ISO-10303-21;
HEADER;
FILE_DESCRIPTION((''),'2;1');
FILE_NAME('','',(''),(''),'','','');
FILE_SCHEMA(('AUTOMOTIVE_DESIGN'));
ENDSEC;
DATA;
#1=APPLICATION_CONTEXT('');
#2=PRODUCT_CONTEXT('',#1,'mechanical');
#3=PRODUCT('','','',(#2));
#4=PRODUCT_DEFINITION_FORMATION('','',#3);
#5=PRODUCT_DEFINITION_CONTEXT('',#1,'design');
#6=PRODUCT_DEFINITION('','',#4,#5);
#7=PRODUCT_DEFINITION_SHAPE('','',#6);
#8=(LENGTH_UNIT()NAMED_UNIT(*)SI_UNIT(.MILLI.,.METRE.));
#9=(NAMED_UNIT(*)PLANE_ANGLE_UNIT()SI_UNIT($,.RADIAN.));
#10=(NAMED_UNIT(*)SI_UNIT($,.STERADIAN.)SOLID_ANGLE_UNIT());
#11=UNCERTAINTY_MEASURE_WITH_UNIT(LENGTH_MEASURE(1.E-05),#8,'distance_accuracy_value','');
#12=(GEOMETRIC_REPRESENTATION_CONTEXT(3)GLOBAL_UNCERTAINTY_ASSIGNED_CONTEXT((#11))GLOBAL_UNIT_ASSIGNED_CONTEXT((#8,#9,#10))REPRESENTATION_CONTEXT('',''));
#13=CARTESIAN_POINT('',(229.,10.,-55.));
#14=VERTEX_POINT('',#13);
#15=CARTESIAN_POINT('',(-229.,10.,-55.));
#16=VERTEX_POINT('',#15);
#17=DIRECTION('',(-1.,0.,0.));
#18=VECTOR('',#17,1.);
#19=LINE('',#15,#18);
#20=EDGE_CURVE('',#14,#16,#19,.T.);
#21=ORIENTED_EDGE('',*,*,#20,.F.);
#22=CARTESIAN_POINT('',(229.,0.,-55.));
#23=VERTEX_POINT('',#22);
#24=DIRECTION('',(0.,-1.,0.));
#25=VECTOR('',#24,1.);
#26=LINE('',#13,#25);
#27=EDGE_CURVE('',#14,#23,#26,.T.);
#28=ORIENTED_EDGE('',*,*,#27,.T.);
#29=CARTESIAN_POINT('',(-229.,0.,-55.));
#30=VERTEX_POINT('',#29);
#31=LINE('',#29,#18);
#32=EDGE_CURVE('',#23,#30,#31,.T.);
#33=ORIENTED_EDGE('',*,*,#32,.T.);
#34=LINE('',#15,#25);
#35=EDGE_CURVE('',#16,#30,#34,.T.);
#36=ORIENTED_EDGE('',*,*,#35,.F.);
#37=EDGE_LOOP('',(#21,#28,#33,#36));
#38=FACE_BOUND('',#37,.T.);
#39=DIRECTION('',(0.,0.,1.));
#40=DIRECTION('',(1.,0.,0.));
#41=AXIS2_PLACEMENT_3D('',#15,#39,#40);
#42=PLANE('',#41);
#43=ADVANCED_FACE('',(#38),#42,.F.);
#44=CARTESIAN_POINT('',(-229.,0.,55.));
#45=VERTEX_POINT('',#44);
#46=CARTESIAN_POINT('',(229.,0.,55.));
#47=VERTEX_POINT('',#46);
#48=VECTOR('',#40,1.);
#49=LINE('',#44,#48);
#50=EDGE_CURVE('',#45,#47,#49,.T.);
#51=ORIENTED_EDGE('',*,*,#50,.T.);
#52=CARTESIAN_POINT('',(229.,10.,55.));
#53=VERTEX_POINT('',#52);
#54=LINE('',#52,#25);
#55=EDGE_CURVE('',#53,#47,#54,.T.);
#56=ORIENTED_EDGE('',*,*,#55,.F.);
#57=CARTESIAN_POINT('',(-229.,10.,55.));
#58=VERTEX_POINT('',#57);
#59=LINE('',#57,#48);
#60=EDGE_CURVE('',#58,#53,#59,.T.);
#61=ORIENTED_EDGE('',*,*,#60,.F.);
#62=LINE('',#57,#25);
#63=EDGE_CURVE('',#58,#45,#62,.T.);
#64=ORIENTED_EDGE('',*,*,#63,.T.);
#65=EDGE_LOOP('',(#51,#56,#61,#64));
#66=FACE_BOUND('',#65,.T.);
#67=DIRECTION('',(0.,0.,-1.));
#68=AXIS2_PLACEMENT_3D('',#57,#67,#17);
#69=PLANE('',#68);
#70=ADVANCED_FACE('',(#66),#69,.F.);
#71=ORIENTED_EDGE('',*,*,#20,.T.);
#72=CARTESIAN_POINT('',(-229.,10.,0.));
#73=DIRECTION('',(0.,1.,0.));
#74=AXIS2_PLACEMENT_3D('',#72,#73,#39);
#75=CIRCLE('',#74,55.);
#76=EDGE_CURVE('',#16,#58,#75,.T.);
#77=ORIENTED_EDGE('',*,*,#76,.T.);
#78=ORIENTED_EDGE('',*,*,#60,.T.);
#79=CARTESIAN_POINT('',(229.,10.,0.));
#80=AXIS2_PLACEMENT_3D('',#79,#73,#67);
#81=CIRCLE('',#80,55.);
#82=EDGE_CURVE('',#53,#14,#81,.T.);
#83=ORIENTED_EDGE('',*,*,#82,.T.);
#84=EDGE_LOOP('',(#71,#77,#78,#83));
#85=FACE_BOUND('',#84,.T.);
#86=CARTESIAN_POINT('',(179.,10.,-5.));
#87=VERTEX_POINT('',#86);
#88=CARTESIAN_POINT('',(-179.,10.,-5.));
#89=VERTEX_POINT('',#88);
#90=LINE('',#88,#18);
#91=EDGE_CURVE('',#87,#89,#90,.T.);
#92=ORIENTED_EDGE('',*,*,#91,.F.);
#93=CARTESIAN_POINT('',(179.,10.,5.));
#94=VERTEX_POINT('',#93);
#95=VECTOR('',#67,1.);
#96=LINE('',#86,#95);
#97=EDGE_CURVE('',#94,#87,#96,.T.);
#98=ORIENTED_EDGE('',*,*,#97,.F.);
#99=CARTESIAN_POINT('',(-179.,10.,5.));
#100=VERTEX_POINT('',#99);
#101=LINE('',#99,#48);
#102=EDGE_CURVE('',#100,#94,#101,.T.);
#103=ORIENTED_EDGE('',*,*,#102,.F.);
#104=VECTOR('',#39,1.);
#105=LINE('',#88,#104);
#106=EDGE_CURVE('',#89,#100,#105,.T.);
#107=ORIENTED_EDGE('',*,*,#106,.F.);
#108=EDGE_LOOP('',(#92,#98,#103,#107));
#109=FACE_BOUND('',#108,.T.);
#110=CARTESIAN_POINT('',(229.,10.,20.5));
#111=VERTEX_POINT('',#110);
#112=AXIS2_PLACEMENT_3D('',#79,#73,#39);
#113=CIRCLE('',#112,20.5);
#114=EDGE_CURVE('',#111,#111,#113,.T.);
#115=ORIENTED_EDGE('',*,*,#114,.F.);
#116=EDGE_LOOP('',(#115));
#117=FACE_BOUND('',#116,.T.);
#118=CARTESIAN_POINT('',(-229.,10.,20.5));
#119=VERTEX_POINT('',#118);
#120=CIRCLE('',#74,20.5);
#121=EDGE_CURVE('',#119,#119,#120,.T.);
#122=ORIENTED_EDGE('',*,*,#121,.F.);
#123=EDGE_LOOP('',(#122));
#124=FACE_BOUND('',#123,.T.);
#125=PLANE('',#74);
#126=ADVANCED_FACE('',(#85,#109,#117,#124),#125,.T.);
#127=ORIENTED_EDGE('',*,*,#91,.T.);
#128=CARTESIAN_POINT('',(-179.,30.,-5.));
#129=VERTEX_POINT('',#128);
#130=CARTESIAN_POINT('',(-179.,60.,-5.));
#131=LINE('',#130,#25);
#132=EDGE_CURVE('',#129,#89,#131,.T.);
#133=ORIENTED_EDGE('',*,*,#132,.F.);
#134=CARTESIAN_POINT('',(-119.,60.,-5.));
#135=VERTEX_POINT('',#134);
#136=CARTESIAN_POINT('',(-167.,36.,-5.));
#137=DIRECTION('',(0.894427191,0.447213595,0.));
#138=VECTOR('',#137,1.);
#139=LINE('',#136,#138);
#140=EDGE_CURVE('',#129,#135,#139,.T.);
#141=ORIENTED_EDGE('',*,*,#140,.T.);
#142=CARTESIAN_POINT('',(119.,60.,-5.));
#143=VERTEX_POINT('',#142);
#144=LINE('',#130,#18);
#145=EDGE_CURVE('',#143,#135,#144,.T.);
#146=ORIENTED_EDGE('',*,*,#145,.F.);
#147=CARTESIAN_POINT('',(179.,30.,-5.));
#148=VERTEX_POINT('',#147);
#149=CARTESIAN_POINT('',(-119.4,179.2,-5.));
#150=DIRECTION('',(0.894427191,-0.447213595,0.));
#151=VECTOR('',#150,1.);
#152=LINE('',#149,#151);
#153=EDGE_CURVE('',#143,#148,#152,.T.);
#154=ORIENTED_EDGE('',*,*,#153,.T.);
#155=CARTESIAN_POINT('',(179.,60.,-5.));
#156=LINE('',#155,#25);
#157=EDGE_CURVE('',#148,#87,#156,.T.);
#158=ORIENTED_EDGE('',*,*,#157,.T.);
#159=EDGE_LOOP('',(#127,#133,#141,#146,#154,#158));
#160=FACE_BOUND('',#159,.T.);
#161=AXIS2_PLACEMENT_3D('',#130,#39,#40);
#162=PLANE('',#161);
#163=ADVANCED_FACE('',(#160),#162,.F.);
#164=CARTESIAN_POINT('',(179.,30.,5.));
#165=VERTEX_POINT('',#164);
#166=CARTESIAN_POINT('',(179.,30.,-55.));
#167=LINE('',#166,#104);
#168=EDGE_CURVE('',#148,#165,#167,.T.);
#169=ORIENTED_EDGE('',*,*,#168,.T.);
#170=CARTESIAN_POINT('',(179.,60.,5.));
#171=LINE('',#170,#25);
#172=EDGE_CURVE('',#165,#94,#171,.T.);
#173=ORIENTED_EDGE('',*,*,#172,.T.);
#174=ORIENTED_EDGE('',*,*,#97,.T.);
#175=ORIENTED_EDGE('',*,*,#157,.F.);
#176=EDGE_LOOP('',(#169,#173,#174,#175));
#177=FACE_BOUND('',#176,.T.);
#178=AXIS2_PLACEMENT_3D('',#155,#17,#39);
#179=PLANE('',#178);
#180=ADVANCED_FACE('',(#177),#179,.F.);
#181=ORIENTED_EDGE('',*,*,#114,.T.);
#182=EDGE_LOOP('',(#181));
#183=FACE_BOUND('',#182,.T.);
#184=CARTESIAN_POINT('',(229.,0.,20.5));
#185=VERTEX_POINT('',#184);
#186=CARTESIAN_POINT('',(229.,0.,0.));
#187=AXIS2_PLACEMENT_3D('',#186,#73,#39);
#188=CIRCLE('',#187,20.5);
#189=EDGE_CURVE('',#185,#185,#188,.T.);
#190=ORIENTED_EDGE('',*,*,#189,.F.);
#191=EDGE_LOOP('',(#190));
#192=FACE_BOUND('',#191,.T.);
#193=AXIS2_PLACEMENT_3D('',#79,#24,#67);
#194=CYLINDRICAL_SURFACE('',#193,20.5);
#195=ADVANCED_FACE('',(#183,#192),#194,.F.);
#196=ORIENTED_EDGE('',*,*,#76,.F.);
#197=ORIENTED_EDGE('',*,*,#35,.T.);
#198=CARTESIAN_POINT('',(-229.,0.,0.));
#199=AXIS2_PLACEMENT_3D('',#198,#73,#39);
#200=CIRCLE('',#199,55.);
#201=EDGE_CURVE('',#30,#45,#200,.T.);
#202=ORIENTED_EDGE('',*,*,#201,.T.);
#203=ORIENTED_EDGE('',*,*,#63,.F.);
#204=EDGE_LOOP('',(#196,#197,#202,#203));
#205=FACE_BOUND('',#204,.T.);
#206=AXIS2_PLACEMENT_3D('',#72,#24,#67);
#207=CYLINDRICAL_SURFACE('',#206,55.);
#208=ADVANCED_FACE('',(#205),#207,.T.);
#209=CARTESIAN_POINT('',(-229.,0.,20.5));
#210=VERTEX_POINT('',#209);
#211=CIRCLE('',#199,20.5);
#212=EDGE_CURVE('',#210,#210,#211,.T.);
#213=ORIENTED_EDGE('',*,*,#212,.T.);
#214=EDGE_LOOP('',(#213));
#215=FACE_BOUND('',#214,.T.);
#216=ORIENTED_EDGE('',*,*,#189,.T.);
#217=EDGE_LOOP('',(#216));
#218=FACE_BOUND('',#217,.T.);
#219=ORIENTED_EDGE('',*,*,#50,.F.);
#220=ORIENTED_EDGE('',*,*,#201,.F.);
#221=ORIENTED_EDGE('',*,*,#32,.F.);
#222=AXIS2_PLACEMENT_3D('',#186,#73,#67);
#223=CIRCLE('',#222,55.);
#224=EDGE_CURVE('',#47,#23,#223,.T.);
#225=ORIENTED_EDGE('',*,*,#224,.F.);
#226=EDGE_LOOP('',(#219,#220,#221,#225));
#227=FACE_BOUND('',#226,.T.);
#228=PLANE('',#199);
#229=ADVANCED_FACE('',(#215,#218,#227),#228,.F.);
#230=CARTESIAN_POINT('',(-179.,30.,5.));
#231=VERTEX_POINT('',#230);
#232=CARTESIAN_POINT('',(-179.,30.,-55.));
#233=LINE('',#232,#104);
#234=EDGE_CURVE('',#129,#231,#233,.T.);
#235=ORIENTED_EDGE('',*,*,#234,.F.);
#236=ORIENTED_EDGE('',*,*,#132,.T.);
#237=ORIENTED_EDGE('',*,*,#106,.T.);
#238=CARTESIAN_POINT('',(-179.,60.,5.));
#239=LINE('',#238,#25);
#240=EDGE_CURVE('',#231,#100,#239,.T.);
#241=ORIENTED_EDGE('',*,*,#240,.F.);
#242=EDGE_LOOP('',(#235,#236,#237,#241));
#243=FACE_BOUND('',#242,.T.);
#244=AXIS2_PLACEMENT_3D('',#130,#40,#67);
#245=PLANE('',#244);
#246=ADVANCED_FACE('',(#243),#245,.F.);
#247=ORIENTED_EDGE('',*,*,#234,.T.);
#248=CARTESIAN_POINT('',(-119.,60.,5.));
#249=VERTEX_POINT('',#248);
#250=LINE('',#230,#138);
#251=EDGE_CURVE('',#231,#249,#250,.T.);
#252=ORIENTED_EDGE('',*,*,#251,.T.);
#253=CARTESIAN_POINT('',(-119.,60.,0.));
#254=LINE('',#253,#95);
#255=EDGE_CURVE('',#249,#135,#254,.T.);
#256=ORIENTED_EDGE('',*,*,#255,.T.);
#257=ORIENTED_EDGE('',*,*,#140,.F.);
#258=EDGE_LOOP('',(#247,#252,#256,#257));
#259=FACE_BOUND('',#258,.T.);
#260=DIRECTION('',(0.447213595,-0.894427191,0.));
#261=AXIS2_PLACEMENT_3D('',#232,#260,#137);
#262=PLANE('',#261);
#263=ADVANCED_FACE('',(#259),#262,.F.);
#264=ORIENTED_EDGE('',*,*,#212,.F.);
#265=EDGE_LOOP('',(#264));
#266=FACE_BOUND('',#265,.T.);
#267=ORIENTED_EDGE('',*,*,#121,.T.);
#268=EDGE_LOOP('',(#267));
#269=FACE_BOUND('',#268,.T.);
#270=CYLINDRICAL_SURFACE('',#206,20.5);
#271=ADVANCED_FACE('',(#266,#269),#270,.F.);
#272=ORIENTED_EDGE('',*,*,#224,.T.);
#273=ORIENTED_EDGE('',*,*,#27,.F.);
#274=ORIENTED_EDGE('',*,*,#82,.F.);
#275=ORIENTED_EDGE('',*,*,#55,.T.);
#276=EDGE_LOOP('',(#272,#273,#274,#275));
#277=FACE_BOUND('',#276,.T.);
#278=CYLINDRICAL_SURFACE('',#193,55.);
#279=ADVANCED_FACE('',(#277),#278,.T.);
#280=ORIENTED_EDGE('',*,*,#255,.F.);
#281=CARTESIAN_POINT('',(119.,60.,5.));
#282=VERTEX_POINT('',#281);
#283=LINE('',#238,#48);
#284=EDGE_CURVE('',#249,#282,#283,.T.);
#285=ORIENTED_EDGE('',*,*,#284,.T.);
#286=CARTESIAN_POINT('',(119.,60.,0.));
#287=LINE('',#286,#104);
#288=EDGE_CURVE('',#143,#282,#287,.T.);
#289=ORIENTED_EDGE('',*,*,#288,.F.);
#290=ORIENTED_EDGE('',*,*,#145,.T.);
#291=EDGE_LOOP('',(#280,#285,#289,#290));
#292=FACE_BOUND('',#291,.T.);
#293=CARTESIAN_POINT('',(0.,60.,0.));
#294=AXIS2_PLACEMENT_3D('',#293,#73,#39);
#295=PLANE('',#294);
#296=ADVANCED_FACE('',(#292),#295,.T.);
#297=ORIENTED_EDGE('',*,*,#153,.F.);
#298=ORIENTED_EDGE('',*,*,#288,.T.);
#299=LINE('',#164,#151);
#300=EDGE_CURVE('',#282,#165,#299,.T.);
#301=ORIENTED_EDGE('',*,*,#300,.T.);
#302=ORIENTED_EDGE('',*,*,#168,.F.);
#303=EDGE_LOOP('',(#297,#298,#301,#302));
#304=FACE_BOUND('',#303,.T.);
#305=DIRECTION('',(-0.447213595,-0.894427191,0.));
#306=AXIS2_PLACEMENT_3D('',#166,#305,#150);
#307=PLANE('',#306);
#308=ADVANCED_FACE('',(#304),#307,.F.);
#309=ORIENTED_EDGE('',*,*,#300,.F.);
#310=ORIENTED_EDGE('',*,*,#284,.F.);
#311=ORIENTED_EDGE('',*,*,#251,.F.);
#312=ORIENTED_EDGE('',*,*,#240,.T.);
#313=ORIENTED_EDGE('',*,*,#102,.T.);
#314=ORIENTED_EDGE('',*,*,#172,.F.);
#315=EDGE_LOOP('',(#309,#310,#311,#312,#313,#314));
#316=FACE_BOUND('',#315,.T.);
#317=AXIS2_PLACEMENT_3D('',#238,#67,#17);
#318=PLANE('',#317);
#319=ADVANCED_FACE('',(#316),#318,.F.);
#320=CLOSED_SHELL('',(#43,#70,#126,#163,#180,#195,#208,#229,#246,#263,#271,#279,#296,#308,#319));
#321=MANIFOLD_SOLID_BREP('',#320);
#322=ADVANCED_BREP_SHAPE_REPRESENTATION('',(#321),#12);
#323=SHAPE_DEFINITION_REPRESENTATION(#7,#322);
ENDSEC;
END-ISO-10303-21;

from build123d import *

# Parameters (mm, degrees)
SKETCH_4_R          = 20.5
EXTRUDE_4_DEPTH     = 10
SKETCH_5_W          = 358
SKETCH_5_H          = 10
EXTRUDE_5_DEPTH     = 50
CUT_EXTRUDE_1_DEPTH = 297.405128161


with BuildPart() as part:
    # 草图4 → 凸台-拉伸4 (new body)
    with BuildSketch(Plane(origin=(0, 0, 0), x_dir=(1, 0, 0), z_dir=(0, 1, 0))):
        with BuildLine():
            Line((-229, 55), (229, 55))
            ThreePointArc((229, 55), (284, 0), (229, -55))
            Line((229, -55), (-229, -55))
            ThreePointArc((-229, -55), (-284, 0), (-229, 55))
        make_face()
        with Locations(Location((-229, 0, 0), (0, 0, 270))):
            Circle(SKETCH_4_R, mode=Mode.SUBTRACT)
        with Locations(Location((229, 0, 0), (0, 0, 270))):
            Circle(SKETCH_4_R, mode=Mode.SUBTRACT)
    extrude(amount=EXTRUDE_4_DEPTH)

    # 草图5 → 凸台-拉伸5 (add)
    with BuildSketch(Plane(origin=(0, 10, 0), x_dir=(1, 0, 0), z_dir=(0, 1, 0))):
        Rectangle(SKETCH_5_W, SKETCH_5_H)
    extrude(amount=EXTRUDE_5_DEPTH)

    # 草图6 → 切除-拉伸1 (cut, through all)
    with BuildSketch(Plane.XY.offset(5)):
        Polygon((-179, 60), (-179, 30), (-119, 60), align=None)
        Polygon((179, 60), (179, 30), (119, 60), align=None)
    extrude(amount=-CUT_EXTRUDE_1_DEPTH, mode=Mode.SUBTRACT)


solid = part.part
